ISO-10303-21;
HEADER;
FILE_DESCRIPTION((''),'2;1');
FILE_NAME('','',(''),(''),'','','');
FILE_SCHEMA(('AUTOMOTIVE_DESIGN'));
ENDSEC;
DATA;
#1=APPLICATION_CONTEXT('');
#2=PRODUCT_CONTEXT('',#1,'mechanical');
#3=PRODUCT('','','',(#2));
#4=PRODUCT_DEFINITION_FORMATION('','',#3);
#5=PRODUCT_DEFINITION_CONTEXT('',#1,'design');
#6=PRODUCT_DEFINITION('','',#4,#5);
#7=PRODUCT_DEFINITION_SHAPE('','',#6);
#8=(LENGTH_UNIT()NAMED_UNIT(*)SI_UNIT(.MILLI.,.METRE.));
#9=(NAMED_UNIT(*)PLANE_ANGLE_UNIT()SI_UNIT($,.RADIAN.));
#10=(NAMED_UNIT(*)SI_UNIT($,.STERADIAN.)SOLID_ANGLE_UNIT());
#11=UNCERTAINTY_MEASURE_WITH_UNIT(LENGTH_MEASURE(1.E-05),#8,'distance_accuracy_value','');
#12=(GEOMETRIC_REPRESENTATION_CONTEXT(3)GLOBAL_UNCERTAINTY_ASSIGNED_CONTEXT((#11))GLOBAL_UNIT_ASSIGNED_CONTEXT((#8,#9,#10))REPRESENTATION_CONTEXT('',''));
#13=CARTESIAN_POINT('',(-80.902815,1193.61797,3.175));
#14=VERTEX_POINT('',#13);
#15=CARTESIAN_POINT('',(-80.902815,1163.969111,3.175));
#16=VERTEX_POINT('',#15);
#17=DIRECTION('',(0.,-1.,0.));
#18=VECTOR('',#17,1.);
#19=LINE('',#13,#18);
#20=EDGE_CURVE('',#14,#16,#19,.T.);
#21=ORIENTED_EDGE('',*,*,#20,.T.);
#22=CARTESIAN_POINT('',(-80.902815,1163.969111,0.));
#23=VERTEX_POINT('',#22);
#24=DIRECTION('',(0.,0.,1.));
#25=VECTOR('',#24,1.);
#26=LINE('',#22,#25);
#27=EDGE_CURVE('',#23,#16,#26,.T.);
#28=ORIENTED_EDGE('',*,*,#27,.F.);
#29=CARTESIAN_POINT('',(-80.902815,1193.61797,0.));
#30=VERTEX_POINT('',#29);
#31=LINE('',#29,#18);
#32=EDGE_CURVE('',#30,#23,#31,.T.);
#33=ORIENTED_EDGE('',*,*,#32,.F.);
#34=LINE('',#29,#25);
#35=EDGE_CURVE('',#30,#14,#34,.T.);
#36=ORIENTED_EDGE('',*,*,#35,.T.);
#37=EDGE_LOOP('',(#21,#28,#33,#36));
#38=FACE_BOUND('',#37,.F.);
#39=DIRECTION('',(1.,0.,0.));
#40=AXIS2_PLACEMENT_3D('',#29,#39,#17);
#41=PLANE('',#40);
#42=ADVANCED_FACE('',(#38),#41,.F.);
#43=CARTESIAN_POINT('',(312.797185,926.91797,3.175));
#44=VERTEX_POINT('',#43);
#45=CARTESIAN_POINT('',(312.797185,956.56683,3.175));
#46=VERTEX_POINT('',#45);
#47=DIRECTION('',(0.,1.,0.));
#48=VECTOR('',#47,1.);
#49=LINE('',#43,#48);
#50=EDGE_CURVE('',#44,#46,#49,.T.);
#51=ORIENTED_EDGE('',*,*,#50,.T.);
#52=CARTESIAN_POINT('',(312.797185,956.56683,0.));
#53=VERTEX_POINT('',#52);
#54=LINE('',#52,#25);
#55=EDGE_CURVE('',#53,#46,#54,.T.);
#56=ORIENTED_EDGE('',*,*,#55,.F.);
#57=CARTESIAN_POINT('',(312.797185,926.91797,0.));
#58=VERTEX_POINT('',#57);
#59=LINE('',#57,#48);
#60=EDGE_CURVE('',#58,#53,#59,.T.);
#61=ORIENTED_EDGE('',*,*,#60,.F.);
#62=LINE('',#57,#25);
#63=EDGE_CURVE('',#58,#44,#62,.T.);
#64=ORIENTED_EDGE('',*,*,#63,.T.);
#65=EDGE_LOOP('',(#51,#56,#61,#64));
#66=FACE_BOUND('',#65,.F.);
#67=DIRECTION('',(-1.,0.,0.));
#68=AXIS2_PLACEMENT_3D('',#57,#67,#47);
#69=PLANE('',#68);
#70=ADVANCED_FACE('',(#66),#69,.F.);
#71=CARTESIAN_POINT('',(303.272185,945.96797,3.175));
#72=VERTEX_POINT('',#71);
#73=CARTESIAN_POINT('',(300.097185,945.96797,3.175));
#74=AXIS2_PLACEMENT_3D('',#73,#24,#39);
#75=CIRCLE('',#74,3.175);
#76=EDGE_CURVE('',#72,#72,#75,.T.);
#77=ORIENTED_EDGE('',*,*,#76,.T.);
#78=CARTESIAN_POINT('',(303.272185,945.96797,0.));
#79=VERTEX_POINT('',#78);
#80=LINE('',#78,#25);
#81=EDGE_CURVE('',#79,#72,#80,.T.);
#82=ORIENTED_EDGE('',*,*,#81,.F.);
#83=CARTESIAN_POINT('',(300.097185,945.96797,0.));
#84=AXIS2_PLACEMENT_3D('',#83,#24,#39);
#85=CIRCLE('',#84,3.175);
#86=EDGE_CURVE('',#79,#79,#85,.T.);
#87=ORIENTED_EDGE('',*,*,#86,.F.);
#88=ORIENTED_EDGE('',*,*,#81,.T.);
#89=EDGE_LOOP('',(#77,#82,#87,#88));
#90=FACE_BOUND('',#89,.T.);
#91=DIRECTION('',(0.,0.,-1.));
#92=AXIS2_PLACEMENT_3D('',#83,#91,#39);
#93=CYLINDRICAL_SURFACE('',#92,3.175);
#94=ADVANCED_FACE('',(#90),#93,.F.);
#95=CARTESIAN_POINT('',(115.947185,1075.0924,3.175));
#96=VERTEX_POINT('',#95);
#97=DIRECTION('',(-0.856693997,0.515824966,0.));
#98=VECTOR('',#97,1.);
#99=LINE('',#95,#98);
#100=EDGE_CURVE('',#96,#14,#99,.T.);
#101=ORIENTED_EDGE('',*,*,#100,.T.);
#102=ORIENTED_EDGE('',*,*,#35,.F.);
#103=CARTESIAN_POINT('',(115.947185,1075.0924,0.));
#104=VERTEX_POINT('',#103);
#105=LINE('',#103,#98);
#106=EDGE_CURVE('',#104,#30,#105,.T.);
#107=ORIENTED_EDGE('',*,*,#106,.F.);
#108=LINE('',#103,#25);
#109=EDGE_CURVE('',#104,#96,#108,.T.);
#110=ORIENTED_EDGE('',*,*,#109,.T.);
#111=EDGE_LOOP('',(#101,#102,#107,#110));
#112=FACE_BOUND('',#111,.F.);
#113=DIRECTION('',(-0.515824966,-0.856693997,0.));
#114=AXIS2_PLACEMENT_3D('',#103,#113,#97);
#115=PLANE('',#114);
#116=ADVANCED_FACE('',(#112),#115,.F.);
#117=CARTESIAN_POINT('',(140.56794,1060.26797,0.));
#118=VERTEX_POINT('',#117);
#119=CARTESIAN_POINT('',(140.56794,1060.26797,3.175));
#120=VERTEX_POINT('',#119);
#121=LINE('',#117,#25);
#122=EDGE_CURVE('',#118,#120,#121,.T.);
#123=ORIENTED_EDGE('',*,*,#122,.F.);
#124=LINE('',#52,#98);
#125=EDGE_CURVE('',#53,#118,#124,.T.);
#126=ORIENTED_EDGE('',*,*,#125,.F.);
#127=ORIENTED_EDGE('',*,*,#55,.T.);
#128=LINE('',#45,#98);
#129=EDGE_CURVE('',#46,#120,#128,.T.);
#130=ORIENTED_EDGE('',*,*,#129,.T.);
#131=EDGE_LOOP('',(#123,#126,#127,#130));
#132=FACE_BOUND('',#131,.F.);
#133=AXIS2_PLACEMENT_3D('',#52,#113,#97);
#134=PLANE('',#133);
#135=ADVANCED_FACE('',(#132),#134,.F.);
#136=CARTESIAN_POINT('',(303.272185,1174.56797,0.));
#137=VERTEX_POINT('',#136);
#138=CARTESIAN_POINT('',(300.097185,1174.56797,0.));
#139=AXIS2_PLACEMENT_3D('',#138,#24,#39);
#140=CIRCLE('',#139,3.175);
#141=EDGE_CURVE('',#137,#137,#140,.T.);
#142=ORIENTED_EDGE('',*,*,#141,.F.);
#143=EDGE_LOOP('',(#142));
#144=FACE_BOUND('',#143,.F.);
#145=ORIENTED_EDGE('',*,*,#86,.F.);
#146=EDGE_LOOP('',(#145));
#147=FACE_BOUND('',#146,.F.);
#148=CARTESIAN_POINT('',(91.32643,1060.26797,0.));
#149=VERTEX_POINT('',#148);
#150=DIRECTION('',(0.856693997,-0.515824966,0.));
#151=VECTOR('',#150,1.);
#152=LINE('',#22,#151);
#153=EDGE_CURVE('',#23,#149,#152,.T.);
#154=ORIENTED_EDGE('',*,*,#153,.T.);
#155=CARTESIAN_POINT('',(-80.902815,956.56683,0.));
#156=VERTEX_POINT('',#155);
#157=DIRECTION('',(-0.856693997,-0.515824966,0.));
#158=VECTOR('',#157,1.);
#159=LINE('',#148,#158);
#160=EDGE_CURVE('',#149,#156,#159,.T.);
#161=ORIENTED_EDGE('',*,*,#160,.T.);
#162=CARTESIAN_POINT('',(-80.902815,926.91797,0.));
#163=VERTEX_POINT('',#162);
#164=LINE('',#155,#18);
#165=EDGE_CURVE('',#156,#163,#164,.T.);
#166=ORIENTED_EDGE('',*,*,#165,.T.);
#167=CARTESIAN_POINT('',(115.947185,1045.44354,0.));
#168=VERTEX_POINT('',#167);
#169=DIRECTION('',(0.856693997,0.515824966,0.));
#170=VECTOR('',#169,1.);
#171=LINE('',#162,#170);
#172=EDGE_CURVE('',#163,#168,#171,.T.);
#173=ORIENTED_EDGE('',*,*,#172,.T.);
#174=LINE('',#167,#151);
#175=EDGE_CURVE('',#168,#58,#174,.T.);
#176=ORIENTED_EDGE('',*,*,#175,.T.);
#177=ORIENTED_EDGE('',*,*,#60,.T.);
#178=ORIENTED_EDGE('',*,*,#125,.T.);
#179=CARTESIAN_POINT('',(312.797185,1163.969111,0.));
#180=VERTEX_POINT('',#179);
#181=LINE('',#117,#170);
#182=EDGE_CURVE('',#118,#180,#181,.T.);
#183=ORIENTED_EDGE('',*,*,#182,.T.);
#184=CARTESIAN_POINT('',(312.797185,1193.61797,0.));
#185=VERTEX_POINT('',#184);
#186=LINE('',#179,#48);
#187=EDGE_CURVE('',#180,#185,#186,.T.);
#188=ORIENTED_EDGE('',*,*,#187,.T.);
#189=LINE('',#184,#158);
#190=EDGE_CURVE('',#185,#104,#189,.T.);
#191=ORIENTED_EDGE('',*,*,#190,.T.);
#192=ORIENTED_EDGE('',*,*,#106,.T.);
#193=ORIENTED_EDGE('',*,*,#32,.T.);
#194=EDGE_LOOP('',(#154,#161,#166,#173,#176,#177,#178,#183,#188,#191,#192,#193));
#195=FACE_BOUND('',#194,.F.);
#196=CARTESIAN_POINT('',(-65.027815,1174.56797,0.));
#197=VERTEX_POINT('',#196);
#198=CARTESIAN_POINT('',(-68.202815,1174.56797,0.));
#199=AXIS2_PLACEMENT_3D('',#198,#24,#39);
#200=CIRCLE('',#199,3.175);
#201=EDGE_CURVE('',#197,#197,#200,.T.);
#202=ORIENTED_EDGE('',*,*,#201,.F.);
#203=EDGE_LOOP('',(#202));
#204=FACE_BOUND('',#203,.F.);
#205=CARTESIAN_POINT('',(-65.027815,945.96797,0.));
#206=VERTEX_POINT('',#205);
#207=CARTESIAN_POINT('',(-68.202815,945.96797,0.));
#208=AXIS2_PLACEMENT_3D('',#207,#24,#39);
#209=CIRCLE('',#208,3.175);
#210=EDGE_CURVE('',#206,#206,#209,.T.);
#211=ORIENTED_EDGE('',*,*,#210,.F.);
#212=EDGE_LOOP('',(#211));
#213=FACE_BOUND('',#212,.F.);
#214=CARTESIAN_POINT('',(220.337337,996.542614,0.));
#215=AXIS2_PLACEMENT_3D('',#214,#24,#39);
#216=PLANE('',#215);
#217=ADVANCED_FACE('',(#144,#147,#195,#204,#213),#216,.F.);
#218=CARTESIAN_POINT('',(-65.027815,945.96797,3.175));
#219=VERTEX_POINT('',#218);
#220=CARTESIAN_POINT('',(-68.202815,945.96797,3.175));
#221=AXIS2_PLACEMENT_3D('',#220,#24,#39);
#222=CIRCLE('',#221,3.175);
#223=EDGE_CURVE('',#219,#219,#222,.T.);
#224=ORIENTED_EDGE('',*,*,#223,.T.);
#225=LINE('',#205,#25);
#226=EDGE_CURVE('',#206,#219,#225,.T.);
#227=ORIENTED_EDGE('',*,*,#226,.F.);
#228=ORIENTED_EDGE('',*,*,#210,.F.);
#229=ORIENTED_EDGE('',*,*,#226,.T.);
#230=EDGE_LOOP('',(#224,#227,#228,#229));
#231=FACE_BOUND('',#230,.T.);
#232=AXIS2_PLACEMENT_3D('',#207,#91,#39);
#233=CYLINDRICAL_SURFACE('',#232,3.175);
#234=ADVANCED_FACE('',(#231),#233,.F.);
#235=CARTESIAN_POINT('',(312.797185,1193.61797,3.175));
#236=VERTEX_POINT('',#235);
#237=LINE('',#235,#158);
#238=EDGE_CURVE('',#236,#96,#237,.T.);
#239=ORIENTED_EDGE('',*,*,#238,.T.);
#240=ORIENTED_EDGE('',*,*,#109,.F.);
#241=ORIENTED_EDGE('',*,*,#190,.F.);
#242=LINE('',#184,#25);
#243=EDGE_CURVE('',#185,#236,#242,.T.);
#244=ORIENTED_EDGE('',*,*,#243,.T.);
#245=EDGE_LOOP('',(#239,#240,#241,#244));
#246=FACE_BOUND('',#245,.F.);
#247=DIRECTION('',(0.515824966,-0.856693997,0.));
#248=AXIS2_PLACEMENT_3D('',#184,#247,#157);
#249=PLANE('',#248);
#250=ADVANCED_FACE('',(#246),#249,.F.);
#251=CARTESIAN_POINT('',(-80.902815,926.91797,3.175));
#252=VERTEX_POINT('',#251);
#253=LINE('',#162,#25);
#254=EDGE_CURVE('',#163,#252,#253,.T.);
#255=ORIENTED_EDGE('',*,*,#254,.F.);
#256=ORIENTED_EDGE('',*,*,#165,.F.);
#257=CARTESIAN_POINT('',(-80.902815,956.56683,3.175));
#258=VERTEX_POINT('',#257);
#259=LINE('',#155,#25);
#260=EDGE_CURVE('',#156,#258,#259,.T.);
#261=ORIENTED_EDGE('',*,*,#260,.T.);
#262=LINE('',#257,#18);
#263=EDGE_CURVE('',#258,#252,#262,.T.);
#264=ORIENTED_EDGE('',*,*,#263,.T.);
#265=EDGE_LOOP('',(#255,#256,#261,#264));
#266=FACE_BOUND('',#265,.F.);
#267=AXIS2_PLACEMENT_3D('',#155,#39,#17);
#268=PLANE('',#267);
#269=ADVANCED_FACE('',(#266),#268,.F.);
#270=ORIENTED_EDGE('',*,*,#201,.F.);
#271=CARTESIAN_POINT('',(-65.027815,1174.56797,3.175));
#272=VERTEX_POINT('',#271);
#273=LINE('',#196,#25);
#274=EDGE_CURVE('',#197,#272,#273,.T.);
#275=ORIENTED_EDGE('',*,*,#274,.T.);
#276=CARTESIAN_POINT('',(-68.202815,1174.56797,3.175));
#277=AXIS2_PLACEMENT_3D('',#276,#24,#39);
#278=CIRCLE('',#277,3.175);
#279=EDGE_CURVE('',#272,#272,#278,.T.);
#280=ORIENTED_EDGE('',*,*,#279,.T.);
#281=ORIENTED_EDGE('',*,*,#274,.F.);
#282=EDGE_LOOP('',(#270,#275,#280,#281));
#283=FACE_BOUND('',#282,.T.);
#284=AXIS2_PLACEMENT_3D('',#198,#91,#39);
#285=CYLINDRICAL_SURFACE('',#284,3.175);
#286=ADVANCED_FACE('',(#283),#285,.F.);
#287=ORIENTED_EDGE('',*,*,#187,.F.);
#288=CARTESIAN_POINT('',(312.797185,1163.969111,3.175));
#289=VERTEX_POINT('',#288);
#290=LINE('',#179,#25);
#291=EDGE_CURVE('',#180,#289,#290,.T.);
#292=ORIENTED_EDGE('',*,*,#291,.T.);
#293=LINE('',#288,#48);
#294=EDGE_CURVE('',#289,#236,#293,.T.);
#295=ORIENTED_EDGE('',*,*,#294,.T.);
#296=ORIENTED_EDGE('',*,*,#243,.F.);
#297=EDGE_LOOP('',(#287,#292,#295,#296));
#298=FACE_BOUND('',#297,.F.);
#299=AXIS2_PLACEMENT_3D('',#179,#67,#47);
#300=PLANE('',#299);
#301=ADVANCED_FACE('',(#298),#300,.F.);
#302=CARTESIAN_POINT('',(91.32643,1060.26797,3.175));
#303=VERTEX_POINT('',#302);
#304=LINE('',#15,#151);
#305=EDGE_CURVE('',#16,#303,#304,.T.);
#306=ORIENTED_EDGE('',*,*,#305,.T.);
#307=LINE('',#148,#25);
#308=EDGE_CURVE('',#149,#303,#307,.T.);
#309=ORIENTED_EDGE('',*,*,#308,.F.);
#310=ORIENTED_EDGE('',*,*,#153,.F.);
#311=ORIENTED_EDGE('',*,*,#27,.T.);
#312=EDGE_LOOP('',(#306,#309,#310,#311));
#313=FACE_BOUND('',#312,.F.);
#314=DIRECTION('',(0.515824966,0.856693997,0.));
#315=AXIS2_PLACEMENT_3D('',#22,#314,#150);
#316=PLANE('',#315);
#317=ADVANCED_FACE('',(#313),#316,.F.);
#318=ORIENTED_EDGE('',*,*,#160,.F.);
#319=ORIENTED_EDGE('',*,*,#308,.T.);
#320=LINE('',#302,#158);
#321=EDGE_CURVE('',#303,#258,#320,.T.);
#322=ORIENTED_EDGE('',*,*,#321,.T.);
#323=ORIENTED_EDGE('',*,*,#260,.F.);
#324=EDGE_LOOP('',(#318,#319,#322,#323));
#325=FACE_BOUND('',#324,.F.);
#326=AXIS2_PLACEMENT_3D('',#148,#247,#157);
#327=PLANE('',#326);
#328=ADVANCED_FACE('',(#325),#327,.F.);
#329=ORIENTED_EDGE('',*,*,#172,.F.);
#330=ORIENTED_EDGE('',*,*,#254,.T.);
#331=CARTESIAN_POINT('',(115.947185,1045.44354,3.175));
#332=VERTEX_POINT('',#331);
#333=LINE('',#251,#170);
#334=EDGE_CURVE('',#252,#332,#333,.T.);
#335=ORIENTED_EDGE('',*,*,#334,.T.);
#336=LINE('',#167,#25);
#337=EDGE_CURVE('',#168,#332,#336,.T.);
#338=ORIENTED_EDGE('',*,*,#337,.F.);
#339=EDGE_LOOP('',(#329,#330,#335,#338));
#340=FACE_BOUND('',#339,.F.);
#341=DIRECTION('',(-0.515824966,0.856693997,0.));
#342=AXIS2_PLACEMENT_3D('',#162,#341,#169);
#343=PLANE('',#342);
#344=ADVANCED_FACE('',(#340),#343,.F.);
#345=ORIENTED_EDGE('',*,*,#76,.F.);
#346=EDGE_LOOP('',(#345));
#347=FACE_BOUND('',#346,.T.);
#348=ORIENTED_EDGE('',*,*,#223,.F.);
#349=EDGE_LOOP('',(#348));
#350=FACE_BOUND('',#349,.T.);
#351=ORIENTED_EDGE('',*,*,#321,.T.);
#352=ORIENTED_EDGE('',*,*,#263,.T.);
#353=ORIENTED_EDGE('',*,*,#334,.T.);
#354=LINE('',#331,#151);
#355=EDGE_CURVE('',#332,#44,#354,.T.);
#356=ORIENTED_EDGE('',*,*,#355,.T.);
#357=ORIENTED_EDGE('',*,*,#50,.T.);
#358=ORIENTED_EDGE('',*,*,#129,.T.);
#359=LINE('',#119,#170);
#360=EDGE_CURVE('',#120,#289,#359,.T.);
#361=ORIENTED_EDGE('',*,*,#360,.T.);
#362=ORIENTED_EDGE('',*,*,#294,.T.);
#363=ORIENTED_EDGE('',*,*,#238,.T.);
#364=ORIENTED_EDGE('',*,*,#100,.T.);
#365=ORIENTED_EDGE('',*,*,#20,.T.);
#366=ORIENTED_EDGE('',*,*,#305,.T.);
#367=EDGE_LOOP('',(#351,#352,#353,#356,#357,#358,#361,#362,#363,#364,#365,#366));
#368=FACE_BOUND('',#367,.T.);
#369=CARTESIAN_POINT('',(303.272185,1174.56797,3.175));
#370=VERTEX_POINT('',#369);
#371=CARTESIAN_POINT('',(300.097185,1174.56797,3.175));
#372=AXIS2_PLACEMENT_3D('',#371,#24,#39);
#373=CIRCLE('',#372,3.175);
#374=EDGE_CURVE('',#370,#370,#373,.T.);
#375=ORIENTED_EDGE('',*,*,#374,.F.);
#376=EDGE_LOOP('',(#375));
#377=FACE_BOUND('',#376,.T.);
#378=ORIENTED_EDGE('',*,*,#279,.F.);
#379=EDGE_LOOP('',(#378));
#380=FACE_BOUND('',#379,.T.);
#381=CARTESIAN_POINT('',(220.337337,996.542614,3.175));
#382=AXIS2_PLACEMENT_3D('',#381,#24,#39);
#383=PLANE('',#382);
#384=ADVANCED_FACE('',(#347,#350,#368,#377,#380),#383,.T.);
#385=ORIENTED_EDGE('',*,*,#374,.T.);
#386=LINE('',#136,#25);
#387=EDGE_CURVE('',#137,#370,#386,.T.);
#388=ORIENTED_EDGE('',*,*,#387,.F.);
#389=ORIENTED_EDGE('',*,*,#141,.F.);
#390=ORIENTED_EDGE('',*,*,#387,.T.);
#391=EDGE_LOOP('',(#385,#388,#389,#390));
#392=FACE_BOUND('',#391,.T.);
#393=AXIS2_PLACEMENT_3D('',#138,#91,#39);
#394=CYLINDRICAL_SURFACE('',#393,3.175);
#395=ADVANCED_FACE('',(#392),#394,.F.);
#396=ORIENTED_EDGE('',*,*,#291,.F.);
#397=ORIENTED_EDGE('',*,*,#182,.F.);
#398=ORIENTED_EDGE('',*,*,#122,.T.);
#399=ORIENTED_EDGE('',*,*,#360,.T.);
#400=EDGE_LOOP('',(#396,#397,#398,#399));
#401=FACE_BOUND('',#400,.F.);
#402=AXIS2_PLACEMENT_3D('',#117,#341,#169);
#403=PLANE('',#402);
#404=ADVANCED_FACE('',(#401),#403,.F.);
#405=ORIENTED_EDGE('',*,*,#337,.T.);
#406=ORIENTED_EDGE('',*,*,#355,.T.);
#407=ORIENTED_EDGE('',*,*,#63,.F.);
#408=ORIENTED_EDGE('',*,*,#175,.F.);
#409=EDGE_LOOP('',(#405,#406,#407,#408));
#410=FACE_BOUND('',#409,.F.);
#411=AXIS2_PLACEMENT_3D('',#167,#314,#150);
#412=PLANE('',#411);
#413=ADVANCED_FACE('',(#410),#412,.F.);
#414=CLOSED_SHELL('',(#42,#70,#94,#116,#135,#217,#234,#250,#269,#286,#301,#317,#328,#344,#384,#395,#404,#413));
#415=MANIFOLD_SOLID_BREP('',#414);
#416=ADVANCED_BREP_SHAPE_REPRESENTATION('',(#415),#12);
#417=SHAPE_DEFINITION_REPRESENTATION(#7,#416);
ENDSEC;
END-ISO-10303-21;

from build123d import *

# Parameters (mm, degrees)
F0_R     = 3.175
F1_DEPTH = 3.175


with BuildPart() as f1:
    # F0 (on Top) → F1 (new body)
    with BuildSketch(Plane.XY):
        Polygon((140.5679399306, 1060.2679701805), (115.9471851349, 1045.4435404041), (312.7971851349, 926.9179701805), (312.7971851349, 956.5668297334), align=None)
        with Locations((300.0971851349, 945.9679701805)):
            Circle(F0_R, mode=Mode.SUBTRACT)
        Polygon((115.9471851349, 1075.092399957), (140.5679399306, 1060.2679701805), (312.7971851349, 1163.9691106276), (312.7971851349, 1193.6179701805), align=None)
        with Locations((300.0971851349, 1174.5679701805)):
            Circle(F0_R, mode=Mode.SUBTRACT)
        Polygon((-80.9028148651, 956.5668297334), (-80.9028148651, 926.9179701805), (115.9471851349, 1045.4435404041), (91.3264303392, 1060.2679701805), align=None)
        with Locations((-68.2028148651, 945.9679701805)):
            Circle(F0_R, mode=Mode.SUBTRACT)
        Polygon((-80.9028148651, 1193.6179701805), (-80.9028148651, 1163.9691106276), (91.3264303392, 1060.2679701805), (115.9471851349, 1075.092399957), align=None)
        with Locations((-68.2028148651, 1174.5679701805)):
            Circle(F0_R, mode=Mode.SUBTRACT)
        Polygon((91.3264303392, 1060.2679701805), (115.9471851349, 1045.4435404041), (140.5679399306, 1060.2679701805), (115.9471851349, 1075.092399957), align=None)
    extrude(amount=F1_DEPTH)


solid = f1.part
